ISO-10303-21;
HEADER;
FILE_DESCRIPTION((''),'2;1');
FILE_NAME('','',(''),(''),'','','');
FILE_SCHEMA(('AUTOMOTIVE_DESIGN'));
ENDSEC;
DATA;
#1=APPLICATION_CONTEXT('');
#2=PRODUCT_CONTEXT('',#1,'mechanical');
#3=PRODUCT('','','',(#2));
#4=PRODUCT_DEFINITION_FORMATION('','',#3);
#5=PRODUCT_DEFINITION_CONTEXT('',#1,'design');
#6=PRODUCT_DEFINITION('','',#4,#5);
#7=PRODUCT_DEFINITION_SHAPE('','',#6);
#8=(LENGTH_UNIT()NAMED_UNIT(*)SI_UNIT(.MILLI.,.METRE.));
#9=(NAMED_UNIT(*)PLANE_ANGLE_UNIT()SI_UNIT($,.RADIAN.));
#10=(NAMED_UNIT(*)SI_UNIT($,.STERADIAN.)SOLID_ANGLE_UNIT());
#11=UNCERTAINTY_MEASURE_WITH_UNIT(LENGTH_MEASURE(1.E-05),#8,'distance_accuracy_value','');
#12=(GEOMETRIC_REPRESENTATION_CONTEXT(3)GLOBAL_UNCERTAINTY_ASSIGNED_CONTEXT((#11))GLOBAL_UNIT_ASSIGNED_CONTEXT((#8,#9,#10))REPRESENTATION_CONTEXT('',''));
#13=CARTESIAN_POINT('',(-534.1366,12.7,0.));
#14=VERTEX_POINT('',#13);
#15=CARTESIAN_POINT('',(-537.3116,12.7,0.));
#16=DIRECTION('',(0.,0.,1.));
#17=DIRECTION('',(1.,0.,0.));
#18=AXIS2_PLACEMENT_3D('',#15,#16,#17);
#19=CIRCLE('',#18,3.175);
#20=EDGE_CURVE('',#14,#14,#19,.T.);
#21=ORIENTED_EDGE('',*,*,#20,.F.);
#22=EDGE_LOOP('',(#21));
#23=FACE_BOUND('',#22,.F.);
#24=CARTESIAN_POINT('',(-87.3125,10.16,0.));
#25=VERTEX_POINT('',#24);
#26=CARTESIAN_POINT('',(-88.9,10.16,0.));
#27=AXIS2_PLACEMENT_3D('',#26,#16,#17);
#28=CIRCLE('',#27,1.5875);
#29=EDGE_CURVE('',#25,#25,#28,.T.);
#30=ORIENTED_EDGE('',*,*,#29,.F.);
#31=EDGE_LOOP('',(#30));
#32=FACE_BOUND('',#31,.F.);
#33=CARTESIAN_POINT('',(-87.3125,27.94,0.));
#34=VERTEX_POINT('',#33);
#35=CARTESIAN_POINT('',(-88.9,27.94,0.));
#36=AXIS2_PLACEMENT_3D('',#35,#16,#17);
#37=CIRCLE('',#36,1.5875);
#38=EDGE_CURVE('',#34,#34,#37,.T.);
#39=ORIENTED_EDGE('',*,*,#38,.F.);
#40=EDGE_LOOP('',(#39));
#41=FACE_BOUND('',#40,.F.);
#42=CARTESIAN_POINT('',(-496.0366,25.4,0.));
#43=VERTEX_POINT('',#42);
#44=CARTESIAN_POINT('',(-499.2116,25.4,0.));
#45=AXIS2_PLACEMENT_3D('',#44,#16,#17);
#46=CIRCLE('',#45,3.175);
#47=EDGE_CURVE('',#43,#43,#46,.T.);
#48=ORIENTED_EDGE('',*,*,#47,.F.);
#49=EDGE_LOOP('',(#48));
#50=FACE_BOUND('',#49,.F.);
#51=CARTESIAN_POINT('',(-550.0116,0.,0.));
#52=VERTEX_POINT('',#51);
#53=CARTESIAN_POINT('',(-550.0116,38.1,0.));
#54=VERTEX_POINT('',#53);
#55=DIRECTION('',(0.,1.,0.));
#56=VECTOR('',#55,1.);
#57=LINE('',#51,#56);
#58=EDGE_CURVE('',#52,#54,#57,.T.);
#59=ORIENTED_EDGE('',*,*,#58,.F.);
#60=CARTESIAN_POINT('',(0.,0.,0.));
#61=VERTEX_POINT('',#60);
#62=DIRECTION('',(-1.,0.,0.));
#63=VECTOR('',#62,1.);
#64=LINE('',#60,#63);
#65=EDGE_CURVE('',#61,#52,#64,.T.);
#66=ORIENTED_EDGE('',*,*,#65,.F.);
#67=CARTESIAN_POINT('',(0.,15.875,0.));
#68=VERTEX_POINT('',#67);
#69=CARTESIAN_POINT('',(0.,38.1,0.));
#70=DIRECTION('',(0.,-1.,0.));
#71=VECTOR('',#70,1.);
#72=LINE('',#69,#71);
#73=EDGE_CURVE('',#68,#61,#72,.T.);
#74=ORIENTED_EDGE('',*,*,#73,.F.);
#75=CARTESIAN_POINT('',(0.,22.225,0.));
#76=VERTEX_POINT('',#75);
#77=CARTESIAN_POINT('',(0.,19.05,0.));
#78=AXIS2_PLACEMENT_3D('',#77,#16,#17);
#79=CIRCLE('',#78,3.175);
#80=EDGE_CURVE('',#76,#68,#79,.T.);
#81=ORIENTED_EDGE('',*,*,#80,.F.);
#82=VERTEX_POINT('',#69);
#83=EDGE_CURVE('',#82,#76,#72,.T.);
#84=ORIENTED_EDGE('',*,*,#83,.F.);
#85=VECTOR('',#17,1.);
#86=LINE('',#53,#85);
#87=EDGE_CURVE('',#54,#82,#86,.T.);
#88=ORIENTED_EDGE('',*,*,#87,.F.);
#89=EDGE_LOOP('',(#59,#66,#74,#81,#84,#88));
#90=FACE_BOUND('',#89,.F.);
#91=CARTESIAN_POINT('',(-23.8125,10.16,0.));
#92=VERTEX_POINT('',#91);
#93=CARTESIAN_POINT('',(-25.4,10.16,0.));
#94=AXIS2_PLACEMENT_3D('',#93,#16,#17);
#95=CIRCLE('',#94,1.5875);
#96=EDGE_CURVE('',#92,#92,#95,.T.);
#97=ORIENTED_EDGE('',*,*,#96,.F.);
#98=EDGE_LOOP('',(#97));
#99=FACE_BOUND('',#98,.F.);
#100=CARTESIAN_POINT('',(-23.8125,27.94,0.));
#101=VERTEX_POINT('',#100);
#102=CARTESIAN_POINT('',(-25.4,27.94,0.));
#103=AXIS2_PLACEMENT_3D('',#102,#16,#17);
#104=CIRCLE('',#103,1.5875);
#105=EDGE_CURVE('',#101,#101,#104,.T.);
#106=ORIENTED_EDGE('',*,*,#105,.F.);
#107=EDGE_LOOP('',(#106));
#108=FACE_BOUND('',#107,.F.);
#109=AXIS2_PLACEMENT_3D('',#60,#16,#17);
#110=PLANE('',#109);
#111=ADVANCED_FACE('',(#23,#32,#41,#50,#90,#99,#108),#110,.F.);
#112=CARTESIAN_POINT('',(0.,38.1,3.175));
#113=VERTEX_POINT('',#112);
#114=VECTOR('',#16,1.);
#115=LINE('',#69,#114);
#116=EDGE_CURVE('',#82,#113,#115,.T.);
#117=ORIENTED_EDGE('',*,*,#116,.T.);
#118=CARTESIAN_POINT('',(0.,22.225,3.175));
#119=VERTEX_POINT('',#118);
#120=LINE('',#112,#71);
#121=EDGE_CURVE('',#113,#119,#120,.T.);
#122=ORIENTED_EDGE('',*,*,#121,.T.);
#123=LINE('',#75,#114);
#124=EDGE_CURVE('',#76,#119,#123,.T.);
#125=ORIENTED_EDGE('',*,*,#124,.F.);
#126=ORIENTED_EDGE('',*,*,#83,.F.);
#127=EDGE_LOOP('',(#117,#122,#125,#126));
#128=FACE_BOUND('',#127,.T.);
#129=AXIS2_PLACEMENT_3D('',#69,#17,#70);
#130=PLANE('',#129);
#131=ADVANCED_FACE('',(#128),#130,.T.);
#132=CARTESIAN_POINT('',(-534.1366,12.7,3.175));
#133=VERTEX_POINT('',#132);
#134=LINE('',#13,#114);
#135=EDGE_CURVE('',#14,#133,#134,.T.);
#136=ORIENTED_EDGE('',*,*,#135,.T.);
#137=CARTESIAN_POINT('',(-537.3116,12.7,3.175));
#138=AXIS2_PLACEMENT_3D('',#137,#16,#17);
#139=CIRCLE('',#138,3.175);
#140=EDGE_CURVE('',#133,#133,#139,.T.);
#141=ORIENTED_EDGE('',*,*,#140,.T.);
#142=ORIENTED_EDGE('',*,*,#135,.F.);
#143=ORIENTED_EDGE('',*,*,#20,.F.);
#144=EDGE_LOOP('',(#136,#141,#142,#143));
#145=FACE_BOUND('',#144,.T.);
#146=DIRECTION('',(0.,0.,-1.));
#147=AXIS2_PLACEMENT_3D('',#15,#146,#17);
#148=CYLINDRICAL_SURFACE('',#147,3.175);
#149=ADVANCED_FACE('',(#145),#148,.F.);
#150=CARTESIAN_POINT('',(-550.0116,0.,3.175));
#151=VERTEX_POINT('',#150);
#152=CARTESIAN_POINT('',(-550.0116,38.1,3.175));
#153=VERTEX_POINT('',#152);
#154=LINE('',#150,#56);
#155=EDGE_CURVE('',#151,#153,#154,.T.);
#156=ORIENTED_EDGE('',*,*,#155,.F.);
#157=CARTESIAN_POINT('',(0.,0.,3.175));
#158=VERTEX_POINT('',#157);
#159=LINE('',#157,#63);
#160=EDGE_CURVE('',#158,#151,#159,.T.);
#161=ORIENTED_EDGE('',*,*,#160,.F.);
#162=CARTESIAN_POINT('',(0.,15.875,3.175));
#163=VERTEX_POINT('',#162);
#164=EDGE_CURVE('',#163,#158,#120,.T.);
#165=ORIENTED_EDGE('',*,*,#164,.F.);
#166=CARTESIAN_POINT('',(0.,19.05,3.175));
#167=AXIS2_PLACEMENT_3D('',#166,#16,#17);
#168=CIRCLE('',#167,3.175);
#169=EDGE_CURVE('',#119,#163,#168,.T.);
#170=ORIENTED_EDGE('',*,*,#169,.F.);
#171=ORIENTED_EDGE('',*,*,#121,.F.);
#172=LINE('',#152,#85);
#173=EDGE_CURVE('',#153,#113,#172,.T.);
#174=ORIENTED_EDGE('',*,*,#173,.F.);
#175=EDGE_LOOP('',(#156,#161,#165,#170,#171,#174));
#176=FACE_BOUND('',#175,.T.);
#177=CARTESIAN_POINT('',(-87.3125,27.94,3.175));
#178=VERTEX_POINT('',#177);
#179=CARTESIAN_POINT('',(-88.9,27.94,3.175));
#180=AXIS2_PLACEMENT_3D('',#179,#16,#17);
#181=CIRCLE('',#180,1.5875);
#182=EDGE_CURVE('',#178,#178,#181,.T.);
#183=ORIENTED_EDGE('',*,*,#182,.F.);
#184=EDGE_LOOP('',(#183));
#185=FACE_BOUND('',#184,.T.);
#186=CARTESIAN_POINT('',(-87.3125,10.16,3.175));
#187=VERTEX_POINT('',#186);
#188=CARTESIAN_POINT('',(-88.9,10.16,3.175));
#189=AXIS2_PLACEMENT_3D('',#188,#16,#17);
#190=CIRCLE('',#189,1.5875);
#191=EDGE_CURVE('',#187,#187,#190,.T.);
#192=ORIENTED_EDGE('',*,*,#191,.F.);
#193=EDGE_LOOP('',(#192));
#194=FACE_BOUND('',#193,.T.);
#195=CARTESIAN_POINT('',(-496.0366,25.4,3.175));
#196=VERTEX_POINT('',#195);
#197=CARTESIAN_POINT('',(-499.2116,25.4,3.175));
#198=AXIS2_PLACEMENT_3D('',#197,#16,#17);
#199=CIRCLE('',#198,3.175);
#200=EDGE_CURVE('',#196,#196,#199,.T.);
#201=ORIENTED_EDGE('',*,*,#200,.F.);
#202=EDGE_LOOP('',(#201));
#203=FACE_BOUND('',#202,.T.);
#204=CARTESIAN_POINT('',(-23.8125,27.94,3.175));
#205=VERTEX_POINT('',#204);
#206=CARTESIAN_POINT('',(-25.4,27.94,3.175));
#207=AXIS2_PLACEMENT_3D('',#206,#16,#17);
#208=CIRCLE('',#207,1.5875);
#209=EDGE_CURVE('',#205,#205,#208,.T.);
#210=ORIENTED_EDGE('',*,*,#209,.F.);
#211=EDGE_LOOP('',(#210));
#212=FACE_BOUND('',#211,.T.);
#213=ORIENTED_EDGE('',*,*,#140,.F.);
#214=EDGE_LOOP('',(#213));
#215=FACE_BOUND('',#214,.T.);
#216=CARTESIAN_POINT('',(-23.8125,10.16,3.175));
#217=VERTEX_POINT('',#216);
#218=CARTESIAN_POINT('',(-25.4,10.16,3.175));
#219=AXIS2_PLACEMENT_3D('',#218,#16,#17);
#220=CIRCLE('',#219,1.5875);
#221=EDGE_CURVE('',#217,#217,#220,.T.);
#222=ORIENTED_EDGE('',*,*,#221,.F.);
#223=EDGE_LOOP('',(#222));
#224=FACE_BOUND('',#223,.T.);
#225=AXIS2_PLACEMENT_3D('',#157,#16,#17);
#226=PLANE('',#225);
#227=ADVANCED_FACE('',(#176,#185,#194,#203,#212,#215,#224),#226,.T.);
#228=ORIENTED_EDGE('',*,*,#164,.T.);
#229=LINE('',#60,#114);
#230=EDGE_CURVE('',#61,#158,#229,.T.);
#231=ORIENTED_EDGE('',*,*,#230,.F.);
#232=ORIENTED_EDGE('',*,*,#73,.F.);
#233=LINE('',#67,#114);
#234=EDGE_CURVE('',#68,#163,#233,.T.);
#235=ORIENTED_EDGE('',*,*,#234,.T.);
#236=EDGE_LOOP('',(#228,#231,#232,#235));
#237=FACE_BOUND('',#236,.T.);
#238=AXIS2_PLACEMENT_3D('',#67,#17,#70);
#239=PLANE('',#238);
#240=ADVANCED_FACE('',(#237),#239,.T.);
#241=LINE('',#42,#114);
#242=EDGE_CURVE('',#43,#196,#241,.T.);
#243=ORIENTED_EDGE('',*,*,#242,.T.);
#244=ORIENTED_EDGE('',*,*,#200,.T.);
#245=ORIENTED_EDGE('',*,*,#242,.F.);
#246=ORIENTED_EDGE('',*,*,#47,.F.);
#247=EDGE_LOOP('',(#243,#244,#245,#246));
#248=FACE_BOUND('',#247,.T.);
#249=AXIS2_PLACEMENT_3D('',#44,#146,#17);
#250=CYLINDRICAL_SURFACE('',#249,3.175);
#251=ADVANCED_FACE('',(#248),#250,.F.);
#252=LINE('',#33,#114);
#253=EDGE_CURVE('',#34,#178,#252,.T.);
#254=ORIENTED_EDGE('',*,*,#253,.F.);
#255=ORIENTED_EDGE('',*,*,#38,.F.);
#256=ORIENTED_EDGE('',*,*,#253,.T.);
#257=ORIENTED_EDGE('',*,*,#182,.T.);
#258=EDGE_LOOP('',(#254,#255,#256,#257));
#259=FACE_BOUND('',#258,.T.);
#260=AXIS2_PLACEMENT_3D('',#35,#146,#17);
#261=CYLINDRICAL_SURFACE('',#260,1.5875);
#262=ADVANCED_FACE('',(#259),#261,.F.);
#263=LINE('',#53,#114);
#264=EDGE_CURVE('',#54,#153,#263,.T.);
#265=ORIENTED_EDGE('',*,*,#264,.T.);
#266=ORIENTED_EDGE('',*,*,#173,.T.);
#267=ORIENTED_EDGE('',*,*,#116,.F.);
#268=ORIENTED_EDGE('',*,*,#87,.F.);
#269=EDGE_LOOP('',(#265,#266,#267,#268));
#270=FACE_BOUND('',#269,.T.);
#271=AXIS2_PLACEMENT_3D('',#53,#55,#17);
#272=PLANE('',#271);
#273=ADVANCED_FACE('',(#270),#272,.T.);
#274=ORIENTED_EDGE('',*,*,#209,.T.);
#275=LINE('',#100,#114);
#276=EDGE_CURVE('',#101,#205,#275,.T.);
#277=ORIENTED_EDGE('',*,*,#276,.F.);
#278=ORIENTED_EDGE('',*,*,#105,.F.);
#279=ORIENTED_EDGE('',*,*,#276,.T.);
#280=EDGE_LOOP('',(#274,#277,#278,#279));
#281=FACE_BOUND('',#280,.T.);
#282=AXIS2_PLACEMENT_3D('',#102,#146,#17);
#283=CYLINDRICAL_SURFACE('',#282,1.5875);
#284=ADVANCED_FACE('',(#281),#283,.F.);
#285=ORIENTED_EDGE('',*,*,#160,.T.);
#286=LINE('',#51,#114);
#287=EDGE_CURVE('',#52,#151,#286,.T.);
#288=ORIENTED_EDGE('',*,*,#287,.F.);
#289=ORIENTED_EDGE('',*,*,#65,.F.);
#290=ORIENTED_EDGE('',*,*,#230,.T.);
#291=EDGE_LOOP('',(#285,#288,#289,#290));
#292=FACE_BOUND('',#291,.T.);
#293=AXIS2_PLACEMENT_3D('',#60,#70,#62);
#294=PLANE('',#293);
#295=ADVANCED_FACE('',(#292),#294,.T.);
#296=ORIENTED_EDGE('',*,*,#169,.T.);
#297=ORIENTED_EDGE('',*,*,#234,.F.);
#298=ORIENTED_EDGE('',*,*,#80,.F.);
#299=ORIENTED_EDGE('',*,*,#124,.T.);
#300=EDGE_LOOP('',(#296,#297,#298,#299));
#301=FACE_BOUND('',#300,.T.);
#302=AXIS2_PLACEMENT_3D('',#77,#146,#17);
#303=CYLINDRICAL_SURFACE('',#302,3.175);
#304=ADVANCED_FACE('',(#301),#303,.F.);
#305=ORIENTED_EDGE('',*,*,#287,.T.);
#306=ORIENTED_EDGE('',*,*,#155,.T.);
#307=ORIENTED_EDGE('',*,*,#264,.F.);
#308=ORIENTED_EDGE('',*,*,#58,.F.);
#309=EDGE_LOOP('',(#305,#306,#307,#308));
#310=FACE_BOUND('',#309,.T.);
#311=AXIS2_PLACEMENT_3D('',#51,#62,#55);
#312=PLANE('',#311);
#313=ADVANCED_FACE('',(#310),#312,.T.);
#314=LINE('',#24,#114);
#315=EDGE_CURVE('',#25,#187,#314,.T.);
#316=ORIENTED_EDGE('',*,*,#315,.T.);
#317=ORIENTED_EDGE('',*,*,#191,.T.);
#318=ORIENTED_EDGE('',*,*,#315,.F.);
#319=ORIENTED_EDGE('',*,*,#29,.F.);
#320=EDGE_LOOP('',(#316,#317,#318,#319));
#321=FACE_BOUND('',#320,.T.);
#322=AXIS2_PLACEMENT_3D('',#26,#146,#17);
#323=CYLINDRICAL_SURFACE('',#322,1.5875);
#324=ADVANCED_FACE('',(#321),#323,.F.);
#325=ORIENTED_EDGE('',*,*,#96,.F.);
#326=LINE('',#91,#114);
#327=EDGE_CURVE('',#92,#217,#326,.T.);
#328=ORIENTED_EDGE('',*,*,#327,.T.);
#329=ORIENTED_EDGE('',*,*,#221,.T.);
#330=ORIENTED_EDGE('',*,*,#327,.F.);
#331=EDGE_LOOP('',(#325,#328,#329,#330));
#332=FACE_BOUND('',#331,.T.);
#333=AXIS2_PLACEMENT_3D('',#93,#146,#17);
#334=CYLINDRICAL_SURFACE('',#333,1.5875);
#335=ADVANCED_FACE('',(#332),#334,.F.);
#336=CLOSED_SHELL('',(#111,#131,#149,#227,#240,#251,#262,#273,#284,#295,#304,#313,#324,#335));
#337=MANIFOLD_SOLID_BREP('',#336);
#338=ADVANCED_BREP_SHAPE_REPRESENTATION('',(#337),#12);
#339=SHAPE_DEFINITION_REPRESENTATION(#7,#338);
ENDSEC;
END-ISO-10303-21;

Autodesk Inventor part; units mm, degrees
ref_plane "YZ Plane" through (0, 0, 0) normal (1, 0, 0) x (0, 1, 0)
ref_plane "XZ Plane" through (0, 0, 0) normal (0, 1, 0) x (-1, 0, 0)
ref_plane "XY Plane" through (0, 0, 0) normal (0, 0, 1) x (1, 0, 0)
sketch "Sketch1" plane through (0, 0, 0) normal (0, 0, 1) x (1, 0, 0)
  line L0 (0, 0) -> (-550.0116, 0)
  line L1 (-550.0116, 0) -> (-550.0116, 38.1)
  line L2 (-550.0116, 38.1) -> (0, 38.1)
  line L3 (0, 38.1) -> (0, 0)
  circle A0 centre (0, 19.05) radius 3.175
  circle A1 centre (-25.4, 10.16) radius 1.5875
  circle A2 centre (-25.4, 27.94) radius 1.5875
  circle A3 centre (-88.9, 27.94) radius 1.5875
  circle A4 centre (-88.9, 10.16) radius 1.5875
  circle A5 centre (-499.2116, 25.4) radius 3.175
  circle A6 centre (-537.3116, 12.7) radius 3.175
  point P0 (0, 15.875)
  point P1 (0, 22.225)
  dimension "d0" = 38.1
  dimension "d1" = 550.0116
  dimension "d2" = 6.35
  dimension "d3" = 3.175
  dimension "d4" = 3.175
  dimension "d5" = 3.175
  dimension "d6" = 3.175
  dimension "d7" = 10.16
  dimension "d8" = 10.16
  dimension "d9" = 10.16
  dimension "d10" = 10.16
  dimension "d11" = 25.4
  dimension "d12" = 25.4
  dimension "d13" = 88.9
  dimension "d14" = 88.9
  dimension "d15" = 6.35
  dimension "d16" = 6.35
  dimension "d18" = 50.8
  dimension "d19" = 12.7
  dimension "d23" = 12.7
  dimension "d24" = 12.7
extrude "Extrusion1" add sketch "Sketch1" along normal blind 3.175 contours L0 L1 L2 L3 A0
properties part number "arm projectile"
